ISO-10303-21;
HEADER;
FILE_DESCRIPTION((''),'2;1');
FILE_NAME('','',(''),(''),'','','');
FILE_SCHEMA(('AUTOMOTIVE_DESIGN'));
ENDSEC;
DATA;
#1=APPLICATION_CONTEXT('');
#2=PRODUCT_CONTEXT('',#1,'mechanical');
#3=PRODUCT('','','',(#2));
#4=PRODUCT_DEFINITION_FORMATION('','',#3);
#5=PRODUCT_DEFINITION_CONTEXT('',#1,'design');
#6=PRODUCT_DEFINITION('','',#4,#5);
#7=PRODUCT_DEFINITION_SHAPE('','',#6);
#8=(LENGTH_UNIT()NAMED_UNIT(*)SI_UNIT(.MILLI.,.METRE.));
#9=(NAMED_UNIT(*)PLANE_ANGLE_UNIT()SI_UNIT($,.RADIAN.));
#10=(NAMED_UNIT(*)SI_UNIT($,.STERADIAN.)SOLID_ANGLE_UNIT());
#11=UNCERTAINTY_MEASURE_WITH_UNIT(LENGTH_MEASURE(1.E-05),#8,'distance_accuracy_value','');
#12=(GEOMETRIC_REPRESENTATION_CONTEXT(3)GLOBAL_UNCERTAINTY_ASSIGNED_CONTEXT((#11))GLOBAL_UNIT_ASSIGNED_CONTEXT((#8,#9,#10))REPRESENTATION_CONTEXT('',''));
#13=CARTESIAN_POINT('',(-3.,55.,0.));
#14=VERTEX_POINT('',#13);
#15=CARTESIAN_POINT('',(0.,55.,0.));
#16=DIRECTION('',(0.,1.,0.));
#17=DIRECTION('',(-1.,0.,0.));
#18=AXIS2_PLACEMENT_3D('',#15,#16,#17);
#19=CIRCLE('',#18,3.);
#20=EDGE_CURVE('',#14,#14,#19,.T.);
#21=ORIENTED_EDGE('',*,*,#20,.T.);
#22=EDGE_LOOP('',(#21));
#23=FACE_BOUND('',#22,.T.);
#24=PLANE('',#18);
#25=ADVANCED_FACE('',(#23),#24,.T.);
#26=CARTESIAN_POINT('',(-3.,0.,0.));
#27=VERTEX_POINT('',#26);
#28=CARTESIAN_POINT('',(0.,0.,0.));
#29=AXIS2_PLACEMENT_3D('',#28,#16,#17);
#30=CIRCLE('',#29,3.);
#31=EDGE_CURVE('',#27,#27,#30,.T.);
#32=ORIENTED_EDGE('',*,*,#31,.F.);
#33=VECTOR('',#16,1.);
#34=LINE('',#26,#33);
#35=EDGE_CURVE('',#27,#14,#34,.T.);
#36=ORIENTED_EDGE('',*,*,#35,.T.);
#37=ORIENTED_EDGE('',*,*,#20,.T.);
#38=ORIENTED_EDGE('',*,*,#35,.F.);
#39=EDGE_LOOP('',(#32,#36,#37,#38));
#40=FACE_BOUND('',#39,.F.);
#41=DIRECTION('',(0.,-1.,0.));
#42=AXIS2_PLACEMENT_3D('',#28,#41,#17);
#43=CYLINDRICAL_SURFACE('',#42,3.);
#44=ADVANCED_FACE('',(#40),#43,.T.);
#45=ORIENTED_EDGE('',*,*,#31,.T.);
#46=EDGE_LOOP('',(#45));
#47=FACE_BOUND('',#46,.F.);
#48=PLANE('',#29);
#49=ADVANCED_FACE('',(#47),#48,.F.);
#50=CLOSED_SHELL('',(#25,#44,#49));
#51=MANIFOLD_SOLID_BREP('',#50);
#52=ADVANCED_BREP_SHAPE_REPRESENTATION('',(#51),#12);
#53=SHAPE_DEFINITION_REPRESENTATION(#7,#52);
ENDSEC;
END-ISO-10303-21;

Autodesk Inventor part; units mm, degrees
ref_plane "YZ Plane" through (0, 0, 0) normal (1, 0, 0) x (0, 1, 0)
ref_plane "XZ Plane" through (0, 0, 0) normal (0, 1, 0) x (-1, 0, 0)
ref_plane "XY Plane" through (0, 0, 0) normal (0, 0, 1) x (1, 0, 0)
sketch "スケッチ1" plane through (0, 0, 0) normal (0, 1, 0) x (-1, 0, 0)
  circle A0 centre (0, 0) radius 3
  dimension "d0" = 6
extrude "押し出し1" add sketch "スケッチ1" along normal blind 55
properties part number "上下直動_エンコーダシャフト" material "アルミニウム 6061"
